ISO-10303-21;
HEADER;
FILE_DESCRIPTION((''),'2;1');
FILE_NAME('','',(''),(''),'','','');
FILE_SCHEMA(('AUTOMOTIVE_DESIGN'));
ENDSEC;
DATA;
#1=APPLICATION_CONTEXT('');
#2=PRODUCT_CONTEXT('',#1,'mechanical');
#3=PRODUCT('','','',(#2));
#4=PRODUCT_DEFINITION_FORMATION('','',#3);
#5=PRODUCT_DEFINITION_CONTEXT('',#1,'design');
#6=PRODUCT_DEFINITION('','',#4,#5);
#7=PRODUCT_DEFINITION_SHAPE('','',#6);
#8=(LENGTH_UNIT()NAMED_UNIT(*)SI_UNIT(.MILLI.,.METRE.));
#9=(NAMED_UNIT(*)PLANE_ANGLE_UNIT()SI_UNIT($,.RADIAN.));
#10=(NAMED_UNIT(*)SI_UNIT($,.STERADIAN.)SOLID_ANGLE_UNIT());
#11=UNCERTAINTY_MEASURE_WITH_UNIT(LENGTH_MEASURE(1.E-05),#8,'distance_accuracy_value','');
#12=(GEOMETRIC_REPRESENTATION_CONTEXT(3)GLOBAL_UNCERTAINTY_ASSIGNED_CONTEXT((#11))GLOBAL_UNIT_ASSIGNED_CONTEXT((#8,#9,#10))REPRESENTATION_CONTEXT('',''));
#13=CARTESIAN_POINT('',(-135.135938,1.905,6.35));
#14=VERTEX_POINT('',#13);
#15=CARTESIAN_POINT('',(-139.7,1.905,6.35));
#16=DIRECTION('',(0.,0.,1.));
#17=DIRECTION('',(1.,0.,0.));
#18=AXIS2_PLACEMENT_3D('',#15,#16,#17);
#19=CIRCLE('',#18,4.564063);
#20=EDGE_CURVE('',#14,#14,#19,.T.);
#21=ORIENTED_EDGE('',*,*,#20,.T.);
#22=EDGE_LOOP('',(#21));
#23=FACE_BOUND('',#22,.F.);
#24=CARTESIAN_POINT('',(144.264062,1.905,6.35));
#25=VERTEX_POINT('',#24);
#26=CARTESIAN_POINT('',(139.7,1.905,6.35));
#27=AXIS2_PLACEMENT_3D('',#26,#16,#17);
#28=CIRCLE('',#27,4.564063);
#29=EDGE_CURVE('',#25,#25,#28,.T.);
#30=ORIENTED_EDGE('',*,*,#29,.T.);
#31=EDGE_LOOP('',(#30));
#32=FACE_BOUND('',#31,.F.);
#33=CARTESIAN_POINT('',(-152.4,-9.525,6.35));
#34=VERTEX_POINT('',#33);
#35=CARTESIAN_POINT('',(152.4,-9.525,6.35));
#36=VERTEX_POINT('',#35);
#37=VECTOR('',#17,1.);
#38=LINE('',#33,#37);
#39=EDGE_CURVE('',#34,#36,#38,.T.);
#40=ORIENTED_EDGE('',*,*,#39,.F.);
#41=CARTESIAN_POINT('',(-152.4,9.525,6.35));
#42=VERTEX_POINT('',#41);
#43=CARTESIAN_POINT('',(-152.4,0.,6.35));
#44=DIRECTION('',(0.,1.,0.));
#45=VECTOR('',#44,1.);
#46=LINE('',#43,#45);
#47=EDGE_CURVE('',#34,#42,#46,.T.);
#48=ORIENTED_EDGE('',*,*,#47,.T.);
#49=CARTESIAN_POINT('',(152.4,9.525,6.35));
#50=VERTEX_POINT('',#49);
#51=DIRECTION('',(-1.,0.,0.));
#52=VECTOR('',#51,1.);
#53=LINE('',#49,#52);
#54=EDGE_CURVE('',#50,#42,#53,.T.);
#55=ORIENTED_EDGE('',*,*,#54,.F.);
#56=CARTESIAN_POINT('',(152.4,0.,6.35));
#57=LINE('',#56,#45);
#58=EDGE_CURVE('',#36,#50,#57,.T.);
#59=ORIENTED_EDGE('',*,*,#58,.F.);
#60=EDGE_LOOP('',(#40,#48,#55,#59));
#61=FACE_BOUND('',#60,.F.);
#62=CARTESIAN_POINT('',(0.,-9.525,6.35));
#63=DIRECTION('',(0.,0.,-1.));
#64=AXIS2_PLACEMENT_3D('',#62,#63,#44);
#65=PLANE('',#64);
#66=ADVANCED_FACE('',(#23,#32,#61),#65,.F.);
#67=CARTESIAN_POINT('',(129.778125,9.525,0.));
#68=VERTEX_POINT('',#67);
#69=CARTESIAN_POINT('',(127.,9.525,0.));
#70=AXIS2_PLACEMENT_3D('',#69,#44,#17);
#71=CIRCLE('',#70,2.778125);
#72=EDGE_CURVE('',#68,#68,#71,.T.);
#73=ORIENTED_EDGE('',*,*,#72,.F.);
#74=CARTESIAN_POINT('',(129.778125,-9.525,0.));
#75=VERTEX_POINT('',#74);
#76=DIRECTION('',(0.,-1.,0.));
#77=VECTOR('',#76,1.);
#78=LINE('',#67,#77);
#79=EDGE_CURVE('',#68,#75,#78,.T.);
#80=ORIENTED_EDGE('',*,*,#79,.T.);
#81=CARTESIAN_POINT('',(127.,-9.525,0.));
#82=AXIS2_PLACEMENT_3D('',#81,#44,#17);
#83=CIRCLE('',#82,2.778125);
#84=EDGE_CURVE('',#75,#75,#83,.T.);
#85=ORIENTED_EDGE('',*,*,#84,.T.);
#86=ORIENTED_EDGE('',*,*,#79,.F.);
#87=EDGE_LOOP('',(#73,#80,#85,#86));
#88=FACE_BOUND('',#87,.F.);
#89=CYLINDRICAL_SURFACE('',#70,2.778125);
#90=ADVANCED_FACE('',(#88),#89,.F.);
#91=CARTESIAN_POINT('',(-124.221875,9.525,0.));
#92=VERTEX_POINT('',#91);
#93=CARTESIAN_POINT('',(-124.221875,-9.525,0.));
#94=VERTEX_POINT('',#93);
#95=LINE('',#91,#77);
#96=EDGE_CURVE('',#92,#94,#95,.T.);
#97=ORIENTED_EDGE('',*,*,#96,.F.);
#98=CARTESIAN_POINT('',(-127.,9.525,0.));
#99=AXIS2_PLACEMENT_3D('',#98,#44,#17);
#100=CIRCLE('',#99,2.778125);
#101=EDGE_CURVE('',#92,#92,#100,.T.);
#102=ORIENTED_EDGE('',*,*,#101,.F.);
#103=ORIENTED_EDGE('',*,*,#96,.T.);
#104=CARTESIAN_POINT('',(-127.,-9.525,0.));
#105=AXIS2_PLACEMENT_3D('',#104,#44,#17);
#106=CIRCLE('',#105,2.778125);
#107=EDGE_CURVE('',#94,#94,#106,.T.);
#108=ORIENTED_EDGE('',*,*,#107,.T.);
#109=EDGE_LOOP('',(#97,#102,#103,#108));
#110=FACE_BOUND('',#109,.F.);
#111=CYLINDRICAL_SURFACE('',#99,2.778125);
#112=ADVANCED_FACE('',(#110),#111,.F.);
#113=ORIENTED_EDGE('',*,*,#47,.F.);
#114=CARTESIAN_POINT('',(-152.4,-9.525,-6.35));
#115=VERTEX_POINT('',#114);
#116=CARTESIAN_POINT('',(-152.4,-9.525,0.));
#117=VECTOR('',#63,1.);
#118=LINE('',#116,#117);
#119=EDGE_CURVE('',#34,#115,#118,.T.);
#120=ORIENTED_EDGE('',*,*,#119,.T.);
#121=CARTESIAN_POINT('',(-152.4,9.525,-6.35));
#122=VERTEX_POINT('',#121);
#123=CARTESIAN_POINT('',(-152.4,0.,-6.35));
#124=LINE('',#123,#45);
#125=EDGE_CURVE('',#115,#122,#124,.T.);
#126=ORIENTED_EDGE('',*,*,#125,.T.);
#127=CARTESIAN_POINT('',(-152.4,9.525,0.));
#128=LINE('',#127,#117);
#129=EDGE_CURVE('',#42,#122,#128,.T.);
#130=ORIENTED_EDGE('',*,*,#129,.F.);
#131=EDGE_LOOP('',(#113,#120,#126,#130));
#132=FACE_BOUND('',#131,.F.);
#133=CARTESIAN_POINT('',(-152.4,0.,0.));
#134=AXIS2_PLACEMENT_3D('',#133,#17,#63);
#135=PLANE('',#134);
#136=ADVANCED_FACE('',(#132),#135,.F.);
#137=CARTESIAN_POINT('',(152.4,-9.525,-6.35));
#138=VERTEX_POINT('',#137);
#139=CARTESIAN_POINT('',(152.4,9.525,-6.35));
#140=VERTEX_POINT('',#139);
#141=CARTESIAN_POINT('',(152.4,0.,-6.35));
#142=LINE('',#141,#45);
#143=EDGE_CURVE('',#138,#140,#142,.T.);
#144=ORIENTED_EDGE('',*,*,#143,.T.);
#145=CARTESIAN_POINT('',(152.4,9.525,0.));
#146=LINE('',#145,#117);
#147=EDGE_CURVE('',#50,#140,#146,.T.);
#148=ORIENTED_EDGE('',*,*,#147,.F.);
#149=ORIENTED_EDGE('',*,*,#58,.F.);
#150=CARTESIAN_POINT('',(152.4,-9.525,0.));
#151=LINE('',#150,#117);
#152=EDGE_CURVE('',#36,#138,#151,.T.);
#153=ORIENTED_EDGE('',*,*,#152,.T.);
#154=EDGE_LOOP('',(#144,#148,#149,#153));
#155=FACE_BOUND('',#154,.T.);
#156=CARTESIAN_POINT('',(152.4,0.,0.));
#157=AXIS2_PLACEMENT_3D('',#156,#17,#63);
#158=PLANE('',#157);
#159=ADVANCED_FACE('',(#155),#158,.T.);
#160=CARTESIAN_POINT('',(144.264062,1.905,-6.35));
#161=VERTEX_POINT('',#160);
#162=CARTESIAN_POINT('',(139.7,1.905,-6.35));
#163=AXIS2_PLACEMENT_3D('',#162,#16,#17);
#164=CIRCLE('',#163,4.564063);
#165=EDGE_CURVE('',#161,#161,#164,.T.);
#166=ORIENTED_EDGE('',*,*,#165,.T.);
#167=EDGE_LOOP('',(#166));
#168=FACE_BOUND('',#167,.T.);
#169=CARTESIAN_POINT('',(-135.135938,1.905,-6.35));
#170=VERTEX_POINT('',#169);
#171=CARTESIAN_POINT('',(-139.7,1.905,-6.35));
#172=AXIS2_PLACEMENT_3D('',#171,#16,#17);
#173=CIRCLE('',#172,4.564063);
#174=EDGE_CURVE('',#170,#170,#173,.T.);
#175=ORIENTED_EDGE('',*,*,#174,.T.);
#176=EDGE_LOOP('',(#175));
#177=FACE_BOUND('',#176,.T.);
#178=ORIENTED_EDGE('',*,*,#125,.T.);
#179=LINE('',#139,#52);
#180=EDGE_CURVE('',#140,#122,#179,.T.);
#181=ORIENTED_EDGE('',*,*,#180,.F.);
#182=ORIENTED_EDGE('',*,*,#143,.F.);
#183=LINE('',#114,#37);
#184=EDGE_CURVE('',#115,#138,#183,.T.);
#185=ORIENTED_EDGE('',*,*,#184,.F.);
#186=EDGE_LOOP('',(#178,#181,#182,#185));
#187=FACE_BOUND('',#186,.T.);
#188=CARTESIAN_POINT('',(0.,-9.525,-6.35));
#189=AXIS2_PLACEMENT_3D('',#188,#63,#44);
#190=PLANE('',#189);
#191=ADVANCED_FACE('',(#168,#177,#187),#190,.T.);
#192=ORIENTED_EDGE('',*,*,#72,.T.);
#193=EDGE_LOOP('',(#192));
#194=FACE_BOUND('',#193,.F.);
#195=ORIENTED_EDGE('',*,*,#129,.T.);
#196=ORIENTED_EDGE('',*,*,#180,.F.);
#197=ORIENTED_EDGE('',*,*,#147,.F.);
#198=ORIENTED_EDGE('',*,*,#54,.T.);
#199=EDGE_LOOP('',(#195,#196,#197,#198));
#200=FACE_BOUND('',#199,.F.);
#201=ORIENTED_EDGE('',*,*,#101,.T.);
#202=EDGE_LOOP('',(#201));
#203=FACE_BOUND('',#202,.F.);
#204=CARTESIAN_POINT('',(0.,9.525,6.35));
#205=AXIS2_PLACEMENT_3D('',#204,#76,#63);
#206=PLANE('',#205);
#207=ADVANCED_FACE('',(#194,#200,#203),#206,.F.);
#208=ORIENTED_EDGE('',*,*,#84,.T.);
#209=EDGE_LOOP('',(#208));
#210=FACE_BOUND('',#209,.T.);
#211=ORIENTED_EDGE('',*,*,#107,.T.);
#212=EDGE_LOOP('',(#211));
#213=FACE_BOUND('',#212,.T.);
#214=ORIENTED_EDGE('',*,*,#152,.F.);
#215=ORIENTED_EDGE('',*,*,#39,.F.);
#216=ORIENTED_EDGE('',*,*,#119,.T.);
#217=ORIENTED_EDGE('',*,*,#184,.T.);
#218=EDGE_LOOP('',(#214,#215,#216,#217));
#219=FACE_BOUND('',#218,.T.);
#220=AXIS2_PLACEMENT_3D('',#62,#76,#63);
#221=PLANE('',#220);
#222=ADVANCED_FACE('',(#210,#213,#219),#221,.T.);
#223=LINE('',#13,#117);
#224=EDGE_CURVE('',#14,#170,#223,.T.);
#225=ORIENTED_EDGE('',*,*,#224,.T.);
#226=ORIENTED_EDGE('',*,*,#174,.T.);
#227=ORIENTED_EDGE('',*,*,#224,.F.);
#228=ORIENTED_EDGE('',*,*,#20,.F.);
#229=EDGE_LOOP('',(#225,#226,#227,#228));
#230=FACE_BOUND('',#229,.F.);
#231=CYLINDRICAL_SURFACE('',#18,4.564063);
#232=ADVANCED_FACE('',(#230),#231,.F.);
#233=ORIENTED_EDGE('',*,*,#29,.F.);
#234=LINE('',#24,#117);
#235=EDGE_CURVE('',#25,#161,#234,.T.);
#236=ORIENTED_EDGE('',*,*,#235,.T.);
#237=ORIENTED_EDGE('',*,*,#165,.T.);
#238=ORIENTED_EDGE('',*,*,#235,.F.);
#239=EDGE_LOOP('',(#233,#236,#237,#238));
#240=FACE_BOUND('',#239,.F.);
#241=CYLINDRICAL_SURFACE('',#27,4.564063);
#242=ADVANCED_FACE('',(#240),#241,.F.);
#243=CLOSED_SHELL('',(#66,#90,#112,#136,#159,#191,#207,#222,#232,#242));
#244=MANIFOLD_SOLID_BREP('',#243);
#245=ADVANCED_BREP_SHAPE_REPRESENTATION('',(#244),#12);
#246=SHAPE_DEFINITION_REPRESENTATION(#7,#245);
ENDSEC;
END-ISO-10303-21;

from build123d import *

# Parameters (mm, degrees)
SKETCH1_W               = 12.7
SKETCH1_H               = 19.05
BOSS_EXTRUDE1_DEPTH     = 152.4
SKETCH2_R               = 4.5640625
CUT_EXTRUDE1_DEPTH      = 1
CUT_EXTRUDE1_DEPTH_BACK = 13.7
SKETCH6_R               = 2.778125
CUT_EXTRUDE4_DEPTH      = 1
CUT_EXTRUDE4_DEPTH_BACK = 20.05


with BuildPart() as part:
    # Sketch1 → Boss-Extrude1 (new body, symmetric)
    with BuildSketch(Plane(origin=(0, 0, 0), x_dir=(0, 0, -1), z_dir=(1, 0, 0))):
        Rectangle(SKETCH1_W, SKETCH1_H)
    extrude(amount=BOSS_EXTRUDE1_DEPTH, both=True)

    # Sketch2 → Cut-Extrude1 (cut, two sides)
    with BuildSketch(Plane.XY.offset(6.35)) as cut_extrude1_sk:
        with Locations((139.7, 1.905)):
            Circle(SKETCH2_R)
        with Locations((-139.7, 1.905)):
            Circle(SKETCH2_R)
    extrude(amount=CUT_EXTRUDE1_DEPTH, mode=Mode.SUBTRACT)
    extrude(cut_extrude1_sk.sketch, amount=-CUT_EXTRUDE1_DEPTH_BACK, mode=Mode.SUBTRACT)

    # Sketch6 → Cut-Extrude4 (cut, two sides)
    with BuildSketch(Plane(origin=(0, 9.525, 0), x_dir=(1, 0, 0), z_dir=(0, 1, 0))) as cut_extrude4_sk:
        with Locations((-127, 0)):
            Circle(SKETCH6_R)
        with Locations((127, 0)):
            Circle(SKETCH6_R)
    extrude(amount=CUT_EXTRUDE4_DEPTH, mode=Mode.SUBTRACT)
    extrude(cut_extrude4_sk.sketch, amount=-CUT_EXTRUDE4_DEPTH_BACK, mode=Mode.SUBTRACT)


solid = part.part
